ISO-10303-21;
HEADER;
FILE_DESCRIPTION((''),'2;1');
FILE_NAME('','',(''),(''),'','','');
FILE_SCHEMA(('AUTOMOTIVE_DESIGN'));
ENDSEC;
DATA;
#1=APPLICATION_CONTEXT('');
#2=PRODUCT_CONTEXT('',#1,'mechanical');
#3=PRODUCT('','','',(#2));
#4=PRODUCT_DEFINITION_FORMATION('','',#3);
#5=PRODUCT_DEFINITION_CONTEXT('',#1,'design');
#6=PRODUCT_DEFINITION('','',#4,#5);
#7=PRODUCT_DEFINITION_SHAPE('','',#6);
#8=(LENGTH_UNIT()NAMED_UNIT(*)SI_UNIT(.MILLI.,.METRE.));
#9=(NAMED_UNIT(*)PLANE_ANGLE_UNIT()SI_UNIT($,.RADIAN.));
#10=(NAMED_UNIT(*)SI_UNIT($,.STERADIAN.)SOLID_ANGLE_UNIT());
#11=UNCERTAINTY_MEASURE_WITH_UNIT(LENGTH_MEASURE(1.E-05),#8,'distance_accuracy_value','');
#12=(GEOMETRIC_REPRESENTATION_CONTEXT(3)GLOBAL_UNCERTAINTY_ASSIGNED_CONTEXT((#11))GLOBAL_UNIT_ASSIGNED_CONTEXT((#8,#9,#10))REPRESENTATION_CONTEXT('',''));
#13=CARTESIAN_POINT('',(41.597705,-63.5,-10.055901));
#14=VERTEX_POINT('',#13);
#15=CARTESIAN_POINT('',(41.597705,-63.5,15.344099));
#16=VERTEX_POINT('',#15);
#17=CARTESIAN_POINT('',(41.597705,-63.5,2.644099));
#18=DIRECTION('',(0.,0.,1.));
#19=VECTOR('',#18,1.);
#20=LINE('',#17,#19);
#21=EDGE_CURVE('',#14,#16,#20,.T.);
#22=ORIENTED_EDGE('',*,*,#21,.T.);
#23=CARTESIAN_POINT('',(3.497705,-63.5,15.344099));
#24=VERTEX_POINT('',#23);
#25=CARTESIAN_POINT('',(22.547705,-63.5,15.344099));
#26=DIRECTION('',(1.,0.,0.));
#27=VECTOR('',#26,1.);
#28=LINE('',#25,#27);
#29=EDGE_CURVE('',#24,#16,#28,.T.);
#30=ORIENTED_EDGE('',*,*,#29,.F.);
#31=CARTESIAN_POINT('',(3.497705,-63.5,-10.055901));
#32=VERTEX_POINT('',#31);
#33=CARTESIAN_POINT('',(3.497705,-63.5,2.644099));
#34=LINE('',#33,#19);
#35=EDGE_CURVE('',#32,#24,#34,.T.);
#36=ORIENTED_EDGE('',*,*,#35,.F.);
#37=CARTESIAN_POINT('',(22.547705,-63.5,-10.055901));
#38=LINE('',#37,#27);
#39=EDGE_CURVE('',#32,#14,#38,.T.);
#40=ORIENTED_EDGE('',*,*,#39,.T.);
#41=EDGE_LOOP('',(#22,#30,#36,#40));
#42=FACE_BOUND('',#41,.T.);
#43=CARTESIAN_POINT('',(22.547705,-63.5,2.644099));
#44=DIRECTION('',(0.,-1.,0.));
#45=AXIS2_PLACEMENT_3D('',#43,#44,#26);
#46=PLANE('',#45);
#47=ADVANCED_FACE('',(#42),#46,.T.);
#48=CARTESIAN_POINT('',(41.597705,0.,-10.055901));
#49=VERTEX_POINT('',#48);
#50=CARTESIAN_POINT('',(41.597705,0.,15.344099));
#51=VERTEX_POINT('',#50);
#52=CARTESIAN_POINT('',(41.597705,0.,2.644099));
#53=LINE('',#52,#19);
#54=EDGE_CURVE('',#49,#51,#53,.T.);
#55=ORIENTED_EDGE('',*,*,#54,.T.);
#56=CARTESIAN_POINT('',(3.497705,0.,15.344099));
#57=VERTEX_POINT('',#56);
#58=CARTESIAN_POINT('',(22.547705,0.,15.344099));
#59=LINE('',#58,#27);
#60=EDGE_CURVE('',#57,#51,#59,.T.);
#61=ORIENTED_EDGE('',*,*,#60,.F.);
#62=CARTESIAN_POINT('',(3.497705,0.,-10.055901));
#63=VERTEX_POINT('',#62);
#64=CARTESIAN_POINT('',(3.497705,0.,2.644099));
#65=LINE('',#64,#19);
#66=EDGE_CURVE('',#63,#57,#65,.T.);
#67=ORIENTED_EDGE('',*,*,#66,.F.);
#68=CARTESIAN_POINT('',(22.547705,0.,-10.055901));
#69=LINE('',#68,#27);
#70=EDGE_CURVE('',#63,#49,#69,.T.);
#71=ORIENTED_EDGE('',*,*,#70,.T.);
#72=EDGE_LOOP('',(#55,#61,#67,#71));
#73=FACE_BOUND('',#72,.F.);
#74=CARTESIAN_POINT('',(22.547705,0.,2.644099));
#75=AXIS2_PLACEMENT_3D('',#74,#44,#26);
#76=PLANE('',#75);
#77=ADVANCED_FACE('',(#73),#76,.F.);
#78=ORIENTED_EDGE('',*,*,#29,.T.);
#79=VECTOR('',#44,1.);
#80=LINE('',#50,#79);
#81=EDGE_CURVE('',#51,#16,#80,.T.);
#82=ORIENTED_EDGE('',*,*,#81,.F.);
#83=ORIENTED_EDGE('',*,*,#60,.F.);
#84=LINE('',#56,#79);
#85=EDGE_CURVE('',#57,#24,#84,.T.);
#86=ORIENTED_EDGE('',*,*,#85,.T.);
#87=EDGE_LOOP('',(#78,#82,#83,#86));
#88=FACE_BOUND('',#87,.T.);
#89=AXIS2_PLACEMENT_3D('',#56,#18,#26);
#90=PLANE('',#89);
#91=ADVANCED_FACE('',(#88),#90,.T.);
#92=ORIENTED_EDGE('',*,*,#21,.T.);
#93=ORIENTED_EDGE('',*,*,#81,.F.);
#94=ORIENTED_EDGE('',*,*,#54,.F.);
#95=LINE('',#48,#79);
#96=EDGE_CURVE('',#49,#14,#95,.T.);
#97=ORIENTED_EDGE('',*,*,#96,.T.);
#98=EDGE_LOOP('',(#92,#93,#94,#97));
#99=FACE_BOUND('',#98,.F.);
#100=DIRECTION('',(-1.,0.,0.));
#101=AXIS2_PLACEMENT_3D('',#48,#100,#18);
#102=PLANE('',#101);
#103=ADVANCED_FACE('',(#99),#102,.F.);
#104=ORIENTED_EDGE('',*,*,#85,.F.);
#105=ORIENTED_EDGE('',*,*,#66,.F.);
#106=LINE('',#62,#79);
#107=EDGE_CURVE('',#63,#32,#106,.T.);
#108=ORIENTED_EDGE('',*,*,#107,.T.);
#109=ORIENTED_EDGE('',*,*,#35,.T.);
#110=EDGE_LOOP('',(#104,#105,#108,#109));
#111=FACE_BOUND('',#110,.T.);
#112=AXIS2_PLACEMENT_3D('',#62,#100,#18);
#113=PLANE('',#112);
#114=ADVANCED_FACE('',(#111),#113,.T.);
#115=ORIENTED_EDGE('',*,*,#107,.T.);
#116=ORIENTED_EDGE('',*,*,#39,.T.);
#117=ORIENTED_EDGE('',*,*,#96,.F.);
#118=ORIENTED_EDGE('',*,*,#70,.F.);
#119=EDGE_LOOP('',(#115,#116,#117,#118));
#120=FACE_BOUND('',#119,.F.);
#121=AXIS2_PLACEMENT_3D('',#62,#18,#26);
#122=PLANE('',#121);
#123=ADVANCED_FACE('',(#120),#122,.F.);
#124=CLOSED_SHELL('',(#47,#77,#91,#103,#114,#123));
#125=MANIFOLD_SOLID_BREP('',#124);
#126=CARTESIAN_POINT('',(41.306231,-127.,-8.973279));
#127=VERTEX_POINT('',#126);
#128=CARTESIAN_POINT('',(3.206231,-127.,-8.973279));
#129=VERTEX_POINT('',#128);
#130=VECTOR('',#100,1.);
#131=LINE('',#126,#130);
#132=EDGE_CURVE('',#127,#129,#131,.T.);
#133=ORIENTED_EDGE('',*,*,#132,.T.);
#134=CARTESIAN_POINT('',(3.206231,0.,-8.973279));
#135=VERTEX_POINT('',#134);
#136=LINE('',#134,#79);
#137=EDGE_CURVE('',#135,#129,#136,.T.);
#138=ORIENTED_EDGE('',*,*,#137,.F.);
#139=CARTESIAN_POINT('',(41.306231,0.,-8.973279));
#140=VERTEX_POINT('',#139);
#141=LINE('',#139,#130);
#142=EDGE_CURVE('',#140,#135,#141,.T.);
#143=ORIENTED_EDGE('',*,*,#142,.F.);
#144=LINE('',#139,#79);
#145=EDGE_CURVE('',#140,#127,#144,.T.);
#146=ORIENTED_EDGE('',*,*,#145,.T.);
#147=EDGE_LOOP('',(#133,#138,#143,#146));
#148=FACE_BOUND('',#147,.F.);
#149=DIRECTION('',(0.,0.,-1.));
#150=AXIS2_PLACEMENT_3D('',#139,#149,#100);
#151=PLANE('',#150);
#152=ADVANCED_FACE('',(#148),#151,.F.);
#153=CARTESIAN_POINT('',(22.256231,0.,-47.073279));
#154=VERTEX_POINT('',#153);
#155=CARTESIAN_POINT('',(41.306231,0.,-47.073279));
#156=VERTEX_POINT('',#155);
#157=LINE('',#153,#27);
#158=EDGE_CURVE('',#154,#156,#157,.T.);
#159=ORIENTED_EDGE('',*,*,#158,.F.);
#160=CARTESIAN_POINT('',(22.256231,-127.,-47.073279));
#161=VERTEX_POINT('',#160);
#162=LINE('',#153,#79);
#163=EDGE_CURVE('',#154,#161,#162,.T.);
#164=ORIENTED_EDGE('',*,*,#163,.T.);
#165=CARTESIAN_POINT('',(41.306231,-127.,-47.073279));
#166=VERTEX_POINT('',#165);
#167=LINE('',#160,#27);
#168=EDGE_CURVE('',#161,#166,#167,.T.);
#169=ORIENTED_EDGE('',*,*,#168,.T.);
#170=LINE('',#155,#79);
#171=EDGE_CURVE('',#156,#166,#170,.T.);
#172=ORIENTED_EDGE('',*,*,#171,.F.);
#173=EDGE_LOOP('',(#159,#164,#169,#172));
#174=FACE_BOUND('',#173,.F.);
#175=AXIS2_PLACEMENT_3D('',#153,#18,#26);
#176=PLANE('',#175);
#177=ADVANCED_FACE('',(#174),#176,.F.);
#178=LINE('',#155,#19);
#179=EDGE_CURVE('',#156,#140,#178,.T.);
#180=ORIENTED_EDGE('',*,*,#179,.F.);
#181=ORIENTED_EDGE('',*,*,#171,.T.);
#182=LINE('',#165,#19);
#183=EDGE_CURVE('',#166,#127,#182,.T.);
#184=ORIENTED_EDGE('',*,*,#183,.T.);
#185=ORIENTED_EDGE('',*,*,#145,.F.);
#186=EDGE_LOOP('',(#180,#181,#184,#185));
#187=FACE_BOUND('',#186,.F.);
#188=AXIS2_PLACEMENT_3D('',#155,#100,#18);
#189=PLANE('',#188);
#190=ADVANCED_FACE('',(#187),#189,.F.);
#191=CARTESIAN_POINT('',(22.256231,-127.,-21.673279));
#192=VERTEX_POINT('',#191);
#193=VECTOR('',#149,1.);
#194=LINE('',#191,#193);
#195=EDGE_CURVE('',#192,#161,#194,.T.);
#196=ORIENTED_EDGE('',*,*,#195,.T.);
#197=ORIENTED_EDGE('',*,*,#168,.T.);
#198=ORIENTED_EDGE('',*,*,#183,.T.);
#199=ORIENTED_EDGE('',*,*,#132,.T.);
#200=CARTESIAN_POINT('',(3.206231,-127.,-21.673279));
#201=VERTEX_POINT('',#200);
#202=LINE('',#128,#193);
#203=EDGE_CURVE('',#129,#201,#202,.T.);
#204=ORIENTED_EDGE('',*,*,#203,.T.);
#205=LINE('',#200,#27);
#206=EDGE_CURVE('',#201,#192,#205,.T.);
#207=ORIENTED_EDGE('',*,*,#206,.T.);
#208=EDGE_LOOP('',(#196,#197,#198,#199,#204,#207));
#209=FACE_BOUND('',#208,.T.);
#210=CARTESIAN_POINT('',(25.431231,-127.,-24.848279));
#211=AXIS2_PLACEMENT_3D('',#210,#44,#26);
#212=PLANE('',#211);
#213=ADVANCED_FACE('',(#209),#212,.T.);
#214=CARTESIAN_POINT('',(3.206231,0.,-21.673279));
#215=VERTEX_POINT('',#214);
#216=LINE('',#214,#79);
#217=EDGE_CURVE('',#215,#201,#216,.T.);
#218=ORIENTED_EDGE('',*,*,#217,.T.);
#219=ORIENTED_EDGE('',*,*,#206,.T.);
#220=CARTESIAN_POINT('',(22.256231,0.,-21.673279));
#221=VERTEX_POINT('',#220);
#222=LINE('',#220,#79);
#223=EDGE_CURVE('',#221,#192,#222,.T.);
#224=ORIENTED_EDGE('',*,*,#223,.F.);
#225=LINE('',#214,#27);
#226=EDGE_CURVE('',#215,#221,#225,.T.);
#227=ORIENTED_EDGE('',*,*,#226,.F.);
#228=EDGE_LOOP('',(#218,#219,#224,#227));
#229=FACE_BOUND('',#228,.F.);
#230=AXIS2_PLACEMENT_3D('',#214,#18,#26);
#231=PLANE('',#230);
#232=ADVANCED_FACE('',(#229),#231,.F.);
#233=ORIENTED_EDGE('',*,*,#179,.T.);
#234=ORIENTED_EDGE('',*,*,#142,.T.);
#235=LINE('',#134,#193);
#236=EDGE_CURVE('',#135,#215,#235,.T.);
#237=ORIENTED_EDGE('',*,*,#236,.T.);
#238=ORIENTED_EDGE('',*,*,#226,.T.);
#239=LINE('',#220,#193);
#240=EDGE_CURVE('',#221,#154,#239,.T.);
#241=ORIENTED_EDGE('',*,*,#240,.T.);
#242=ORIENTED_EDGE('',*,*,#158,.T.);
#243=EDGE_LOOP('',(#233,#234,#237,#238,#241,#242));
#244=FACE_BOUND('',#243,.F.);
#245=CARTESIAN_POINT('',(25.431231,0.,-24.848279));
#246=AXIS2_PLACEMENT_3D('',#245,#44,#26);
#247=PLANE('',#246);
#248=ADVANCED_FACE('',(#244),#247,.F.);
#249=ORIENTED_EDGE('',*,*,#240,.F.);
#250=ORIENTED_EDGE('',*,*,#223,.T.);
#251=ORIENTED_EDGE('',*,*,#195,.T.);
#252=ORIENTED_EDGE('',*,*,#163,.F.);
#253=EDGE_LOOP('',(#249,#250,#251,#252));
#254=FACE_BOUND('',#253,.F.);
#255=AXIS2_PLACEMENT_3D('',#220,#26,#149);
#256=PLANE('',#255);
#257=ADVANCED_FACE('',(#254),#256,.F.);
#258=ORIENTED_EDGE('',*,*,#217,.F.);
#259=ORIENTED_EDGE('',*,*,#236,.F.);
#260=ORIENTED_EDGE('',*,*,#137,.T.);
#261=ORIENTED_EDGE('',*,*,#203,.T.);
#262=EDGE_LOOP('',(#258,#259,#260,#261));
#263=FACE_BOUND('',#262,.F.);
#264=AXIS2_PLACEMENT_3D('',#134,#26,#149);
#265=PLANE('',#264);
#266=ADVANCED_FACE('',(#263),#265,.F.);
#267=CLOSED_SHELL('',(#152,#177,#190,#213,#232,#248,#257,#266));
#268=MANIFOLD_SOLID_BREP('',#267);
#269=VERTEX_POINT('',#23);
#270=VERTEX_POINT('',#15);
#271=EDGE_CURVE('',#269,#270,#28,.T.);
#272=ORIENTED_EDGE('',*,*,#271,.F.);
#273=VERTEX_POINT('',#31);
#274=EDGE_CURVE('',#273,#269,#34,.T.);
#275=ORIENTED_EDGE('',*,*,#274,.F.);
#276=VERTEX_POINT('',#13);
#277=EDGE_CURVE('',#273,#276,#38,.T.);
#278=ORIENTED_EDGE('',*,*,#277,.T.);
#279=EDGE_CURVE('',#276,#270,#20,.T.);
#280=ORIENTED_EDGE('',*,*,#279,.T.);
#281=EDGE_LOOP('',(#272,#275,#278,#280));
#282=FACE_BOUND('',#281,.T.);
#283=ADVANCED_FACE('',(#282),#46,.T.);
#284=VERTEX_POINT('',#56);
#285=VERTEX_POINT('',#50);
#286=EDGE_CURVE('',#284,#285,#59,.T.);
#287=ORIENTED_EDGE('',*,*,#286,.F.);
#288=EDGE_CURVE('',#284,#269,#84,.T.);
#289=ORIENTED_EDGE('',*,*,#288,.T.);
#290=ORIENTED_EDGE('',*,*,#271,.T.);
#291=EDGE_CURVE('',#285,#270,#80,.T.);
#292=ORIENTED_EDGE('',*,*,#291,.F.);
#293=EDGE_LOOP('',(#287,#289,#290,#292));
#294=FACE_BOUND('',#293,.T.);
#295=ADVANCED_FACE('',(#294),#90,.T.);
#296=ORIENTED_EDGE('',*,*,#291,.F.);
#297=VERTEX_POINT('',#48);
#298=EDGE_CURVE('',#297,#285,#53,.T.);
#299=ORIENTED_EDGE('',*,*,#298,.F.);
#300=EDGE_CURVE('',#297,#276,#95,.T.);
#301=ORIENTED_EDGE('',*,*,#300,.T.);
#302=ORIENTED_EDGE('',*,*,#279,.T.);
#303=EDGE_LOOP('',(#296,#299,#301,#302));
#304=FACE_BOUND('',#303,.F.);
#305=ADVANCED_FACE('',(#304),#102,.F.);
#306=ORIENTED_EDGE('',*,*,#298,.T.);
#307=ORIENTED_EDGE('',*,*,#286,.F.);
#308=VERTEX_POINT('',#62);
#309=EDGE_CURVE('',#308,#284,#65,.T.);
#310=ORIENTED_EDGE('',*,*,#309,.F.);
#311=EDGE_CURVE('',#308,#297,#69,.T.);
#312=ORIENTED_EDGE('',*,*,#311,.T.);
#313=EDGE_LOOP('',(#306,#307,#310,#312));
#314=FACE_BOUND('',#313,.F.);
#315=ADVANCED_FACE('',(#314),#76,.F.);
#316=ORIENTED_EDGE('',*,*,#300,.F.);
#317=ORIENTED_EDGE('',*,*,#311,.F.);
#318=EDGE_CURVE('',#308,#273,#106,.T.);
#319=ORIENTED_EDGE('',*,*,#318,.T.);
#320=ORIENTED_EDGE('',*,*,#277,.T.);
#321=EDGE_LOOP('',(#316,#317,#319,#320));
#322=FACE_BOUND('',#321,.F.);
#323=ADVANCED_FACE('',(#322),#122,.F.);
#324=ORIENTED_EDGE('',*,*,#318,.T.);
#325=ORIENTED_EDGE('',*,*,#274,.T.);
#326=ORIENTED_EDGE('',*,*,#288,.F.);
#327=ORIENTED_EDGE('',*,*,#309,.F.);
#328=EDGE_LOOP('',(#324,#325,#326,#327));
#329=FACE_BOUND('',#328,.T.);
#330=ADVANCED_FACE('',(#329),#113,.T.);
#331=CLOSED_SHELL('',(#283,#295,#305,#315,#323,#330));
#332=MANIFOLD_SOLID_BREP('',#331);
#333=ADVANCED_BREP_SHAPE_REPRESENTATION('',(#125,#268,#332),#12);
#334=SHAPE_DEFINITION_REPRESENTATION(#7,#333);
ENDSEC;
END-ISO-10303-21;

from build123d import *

# Parameters (mm, degrees)
F1_DEPTH = 127
F2_W     = 38.1
F2_H     = 25.4
F3_DEPTH = 63.5
F4_DEPTH = 63.5


with BuildPart() as f1:
    # F0 (on Front) → F1 (new body)
    with BuildSketch(Plane.XZ):
        Polygon((22.256231, -21.673279), (22.256231, -47.073279), (41.306231, -47.073279), (41.306231, -8.973279), (3.206231, -8.973279), (3.206231, -21.673279), align=None)
    extrude(amount=F1_DEPTH)


with BuildPart() as f3:
    # F2 (on Front) → F3 (new body)
    with BuildSketch(Plane.XZ):
        with Locations((22.547705, 2.644099)):
            Rectangle(F2_W, F2_H)
    extrude(amount=F3_DEPTH)


with BuildPart() as f4:
    # F2 (on Front) → F4 (new body)
    with BuildSketch(Plane.XZ):
        with Locations((22.547705, 2.644099)):
            Rectangle(F2_W, F2_H)
    extrude(amount=F4_DEPTH)


solid = Compound([f1.part, f3.part, f4.part])
